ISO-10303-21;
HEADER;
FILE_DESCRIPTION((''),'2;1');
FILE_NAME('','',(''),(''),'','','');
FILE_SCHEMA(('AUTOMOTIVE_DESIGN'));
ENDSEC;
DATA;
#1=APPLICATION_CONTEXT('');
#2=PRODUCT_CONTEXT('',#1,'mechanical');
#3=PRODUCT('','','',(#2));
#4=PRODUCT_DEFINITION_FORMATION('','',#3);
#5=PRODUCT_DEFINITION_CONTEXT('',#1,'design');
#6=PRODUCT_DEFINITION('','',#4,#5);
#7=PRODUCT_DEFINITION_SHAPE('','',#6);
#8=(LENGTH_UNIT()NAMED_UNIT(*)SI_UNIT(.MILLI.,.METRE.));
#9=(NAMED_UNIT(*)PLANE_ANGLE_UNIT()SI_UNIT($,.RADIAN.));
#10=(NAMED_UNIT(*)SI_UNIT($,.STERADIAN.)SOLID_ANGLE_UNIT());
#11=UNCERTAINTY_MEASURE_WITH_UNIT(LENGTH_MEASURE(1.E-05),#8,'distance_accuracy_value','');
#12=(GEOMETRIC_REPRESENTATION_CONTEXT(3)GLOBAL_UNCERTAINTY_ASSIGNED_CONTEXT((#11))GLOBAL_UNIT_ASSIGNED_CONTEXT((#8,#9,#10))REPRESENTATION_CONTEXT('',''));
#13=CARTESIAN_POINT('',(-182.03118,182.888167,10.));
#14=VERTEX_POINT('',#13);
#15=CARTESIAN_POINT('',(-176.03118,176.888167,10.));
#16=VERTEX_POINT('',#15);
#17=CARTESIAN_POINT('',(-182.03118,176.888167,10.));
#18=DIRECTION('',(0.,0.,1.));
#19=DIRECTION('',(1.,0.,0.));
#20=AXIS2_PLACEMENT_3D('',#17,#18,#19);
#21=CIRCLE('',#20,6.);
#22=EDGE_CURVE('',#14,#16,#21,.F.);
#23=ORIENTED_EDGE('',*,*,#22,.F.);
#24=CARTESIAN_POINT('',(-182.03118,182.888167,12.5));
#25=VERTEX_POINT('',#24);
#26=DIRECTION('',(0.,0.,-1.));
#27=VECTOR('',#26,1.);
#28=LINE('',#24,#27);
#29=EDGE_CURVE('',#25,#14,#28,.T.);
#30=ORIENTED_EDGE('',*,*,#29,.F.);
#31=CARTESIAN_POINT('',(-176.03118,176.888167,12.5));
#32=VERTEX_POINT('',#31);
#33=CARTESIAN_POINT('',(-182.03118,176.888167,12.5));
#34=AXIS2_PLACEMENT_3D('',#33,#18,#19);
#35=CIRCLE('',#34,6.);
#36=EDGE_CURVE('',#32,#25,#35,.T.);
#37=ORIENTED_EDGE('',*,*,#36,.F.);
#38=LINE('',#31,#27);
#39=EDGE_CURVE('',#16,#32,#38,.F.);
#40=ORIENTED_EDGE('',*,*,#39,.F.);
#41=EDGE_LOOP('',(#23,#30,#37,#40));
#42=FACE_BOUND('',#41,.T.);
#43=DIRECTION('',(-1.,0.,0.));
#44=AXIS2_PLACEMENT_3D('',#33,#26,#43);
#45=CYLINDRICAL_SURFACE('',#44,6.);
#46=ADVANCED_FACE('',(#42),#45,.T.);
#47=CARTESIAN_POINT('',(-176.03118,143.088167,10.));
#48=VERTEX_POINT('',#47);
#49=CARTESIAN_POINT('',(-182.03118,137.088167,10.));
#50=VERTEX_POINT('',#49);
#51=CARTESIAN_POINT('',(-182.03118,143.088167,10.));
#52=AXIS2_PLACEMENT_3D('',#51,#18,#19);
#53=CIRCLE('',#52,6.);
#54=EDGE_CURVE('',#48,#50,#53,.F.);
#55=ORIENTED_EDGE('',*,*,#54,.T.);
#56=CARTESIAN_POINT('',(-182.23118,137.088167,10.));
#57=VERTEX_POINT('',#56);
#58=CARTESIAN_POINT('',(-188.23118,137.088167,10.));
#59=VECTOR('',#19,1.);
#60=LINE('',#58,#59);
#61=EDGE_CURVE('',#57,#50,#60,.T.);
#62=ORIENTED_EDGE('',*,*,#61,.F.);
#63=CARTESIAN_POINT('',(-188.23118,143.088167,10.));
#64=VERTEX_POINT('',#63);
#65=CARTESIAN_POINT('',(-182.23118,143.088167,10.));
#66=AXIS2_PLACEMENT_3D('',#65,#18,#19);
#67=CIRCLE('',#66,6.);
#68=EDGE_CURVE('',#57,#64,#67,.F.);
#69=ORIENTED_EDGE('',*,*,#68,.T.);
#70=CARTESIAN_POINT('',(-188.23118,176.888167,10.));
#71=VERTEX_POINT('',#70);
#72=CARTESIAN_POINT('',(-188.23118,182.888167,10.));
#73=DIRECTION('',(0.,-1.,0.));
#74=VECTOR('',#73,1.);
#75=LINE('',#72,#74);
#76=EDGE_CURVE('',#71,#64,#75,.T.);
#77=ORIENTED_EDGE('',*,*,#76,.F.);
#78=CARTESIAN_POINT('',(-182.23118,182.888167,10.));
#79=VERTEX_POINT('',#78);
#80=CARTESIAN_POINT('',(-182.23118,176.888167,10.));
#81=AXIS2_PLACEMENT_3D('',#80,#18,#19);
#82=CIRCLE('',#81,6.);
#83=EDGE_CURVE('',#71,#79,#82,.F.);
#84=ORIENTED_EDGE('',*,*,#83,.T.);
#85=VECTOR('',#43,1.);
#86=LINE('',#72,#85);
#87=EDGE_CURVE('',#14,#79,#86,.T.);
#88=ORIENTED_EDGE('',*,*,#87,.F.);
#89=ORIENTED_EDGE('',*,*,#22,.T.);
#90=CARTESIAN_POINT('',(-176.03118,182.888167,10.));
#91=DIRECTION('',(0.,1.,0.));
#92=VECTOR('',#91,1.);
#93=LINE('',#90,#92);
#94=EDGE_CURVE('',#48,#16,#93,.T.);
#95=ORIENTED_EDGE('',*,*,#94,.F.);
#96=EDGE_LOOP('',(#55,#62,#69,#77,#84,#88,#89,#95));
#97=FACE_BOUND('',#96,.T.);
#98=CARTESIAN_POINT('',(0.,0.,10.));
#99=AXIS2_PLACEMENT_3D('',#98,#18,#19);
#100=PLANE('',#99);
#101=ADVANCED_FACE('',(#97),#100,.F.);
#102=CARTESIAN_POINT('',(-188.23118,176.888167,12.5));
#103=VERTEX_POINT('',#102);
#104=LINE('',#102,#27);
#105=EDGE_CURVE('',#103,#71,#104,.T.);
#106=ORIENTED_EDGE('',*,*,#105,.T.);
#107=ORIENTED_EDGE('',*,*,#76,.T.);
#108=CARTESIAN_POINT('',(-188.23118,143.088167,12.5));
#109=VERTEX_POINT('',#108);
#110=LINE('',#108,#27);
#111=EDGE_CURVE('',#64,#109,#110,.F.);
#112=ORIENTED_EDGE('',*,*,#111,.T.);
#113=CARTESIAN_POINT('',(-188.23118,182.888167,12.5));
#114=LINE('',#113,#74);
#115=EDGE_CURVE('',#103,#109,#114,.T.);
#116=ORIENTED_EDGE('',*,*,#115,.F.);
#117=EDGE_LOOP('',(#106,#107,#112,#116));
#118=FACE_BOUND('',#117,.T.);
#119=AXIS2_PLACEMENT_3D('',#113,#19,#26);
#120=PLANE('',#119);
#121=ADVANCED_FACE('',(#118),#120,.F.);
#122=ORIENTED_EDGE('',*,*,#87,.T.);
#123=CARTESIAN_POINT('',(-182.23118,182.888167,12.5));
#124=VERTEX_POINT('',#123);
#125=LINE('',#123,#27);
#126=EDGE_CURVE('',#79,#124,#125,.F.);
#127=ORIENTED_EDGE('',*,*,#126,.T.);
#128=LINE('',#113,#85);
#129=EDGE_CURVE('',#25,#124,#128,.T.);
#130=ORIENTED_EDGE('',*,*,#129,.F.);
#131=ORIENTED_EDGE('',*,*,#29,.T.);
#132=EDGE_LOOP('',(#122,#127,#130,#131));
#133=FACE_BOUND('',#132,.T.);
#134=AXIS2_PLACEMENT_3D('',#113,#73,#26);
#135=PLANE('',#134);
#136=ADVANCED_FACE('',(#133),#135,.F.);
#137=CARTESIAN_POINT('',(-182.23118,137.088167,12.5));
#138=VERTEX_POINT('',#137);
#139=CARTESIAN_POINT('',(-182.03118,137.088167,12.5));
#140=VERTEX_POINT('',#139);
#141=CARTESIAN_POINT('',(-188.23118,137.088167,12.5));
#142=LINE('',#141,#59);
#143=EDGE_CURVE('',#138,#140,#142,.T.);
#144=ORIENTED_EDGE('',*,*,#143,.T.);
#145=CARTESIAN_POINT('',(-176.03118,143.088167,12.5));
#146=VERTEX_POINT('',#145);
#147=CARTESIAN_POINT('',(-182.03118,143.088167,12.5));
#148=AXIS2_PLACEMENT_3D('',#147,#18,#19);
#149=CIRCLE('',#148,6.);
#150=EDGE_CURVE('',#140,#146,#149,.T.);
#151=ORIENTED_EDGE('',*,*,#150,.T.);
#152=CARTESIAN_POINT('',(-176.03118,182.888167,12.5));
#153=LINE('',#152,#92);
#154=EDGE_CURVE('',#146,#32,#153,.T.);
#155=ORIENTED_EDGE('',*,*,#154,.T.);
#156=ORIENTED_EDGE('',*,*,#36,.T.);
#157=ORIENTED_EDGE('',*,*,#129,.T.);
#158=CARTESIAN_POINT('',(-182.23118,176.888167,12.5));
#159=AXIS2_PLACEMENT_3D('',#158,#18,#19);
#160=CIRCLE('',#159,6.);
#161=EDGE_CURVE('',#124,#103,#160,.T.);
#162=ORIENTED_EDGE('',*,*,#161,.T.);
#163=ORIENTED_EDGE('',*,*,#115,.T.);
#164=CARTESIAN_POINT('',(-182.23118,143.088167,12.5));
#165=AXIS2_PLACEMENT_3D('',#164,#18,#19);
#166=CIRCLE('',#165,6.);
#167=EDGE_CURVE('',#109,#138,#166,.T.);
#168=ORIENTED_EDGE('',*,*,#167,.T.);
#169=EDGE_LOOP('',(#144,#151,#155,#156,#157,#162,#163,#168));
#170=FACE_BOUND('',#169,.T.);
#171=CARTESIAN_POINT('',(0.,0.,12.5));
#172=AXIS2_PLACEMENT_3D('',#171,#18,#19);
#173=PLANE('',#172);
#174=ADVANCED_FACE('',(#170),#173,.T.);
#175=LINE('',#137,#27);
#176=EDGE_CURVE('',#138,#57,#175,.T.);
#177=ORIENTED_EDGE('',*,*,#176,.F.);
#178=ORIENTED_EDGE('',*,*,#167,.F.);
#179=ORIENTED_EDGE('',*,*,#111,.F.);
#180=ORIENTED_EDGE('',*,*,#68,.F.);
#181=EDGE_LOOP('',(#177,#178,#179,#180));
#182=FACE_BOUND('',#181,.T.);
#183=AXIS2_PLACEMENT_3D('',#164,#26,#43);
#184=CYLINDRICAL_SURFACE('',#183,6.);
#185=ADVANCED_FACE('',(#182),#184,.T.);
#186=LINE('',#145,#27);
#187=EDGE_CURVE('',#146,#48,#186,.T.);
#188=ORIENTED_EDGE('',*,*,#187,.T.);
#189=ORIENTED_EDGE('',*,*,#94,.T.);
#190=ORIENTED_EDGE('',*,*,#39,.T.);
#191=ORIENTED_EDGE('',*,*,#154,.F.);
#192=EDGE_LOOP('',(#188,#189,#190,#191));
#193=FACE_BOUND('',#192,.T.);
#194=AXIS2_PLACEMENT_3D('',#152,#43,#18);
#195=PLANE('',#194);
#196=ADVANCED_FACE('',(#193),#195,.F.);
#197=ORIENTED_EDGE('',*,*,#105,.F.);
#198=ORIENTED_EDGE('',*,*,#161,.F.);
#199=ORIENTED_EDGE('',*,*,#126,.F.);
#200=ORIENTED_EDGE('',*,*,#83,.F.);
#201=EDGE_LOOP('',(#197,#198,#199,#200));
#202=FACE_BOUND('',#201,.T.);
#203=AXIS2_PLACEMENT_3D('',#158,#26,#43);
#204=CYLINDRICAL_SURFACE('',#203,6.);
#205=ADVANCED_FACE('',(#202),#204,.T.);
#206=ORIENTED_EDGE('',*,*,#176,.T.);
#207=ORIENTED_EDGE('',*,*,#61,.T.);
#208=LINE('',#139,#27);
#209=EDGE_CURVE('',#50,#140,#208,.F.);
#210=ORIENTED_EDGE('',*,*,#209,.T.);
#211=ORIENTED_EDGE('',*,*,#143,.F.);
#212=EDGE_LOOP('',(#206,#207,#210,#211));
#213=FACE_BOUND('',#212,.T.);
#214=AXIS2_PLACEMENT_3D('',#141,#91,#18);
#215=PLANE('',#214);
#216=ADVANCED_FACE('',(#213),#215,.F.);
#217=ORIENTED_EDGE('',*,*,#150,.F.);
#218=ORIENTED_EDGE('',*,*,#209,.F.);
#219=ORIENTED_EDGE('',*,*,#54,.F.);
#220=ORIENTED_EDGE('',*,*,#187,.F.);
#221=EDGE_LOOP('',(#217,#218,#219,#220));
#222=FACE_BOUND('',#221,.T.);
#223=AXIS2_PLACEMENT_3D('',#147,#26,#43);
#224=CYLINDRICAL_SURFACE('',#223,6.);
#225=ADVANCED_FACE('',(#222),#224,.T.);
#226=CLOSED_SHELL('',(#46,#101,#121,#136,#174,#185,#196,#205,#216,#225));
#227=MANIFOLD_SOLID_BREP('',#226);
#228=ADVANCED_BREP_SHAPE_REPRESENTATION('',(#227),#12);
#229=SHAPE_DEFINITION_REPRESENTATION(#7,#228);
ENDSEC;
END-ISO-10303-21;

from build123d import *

# Parameters (mm, degrees)
SKETCH1_W           = 12.2
SKETCH1_H           = 45.8
BOSS_EXTRUDE1_DEPTH = 2.5
FILLET1_R           = 6


with BuildPart() as part:
    # Sketch1 → Boss-Extrude1 (new body)
    with BuildSketch(Plane.XY.offset(10)):
        with Locations((-182.131179691, 159.988166791)):
            Rectangle(SKETCH1_W, SKETCH1_H)
    extrude(amount=BOSS_EXTRUDE1_DEPTH)

    # Fillet1
    fillet1_edges = [part.edges().sort_by_distance(p)[0] for p in [
        (-188.231179691, 182.888166791, 11.25),
        (-176.031179691, 182.888166791, 11.25),
        (-176.031179691, 137.088166791, 11.25),
        (-188.231179691, 137.088166791, 11.25),
    ]]
    fillet(fillet1_edges, radius=FILLET1_R)


solid = part.part
